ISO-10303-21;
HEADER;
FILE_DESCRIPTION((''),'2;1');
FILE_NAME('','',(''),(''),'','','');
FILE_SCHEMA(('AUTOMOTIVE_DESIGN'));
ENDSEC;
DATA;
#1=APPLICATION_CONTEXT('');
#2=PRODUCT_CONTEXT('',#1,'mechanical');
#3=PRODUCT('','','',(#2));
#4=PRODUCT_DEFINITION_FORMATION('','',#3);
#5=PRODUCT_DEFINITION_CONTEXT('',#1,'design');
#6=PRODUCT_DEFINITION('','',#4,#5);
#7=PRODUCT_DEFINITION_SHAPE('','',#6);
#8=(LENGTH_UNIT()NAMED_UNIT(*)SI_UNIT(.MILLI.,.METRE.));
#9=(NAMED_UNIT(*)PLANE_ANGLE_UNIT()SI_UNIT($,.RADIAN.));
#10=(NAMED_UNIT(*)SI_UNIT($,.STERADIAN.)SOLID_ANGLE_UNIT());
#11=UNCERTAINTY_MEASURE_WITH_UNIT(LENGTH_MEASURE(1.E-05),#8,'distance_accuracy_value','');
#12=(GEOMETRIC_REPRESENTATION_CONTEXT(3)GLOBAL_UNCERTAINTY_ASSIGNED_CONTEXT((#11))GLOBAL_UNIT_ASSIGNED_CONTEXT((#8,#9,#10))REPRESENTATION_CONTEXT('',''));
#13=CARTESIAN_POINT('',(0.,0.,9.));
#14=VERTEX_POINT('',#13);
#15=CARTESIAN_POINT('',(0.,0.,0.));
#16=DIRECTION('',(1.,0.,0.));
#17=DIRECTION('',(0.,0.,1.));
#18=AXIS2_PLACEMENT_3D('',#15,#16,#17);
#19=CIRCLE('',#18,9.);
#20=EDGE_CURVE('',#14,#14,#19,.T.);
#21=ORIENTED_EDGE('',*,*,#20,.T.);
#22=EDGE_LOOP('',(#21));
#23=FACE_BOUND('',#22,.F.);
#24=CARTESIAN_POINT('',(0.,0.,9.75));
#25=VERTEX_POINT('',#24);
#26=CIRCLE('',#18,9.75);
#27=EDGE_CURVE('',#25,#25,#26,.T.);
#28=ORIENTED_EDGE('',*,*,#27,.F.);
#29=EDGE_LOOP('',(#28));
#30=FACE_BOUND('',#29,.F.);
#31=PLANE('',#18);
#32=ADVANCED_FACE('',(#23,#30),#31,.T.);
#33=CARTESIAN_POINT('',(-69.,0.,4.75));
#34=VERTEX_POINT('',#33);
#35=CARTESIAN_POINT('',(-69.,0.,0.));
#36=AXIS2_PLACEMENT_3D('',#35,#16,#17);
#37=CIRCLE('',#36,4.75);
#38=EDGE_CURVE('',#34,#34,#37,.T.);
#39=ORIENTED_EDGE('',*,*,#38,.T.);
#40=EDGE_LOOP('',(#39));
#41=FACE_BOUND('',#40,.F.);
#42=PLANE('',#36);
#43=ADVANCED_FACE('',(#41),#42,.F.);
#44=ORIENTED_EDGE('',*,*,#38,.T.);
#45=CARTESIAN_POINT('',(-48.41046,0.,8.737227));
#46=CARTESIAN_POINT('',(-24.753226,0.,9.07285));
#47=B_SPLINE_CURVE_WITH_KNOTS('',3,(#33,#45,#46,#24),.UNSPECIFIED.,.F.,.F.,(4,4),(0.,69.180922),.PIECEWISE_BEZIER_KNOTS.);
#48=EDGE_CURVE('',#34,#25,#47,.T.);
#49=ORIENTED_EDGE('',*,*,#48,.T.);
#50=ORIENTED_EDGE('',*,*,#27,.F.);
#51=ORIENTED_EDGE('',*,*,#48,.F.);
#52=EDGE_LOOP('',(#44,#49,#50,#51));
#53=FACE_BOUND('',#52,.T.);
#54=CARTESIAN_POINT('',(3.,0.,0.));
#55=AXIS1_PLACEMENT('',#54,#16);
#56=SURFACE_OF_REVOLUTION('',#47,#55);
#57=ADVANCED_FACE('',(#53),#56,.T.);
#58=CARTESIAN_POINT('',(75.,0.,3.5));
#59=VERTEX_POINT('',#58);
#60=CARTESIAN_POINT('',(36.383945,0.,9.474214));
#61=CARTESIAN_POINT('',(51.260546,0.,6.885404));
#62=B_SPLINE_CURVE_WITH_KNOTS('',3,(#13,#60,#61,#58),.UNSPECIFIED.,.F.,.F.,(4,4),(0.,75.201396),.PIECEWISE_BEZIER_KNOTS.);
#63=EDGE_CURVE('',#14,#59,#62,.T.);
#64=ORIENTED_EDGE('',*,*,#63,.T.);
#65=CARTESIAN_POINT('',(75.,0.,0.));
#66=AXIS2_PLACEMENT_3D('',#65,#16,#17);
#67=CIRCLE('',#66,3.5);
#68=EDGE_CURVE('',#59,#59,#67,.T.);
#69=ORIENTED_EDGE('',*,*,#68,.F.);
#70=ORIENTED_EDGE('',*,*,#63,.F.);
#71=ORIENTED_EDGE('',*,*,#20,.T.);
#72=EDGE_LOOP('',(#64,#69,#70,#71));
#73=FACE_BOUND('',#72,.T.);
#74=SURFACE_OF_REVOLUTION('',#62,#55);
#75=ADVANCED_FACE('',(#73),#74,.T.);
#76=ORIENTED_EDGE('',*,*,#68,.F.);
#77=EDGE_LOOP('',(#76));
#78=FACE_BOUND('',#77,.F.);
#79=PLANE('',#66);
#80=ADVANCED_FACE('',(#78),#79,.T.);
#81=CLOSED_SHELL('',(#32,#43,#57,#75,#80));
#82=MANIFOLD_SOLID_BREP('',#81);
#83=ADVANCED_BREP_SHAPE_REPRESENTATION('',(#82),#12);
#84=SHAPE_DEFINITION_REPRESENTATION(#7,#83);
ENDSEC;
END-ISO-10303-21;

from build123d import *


with BuildPart() as f1:
    # F0 (on Front) → F1 (revolve)
    with BuildSketch(Plane.XZ):
        with BuildLine():
            Line((75, 0), (75, 3.5))
            add(Edge.make_bspline(
                [(0, 9), (36.383945, 9.474214), (51.260546, 6.885404), (75, 3.5)],
                knots=[0, 0, 0, 0, 75.201396, 75.201396, 75.201396, 75.201396], degree=3))
            Line((0, 9), (0, 0))
            Line((0, 0), (75, 0))
        make_face()
        with BuildLine():
            Line((0, 0), (0, 9))
            Line((0, 9), (0, 9.75))
            add(Edge.make_bspline(
                [(-69, 4.75), (-48.41046, 8.737227), (-24.753226, 9.07285), (0, 9.75)],
                knots=[0, 0, 0, 0, 69.180922, 69.180922, 69.180922, 69.180922], degree=3))
            Line((-69, 4.75), (-69, 0))
            Line((-69, 0), (0, 0))
        make_face()
    revolve(axis=Axis((3, 0, 0), (1, 0, 0)))


solid = f1.part
